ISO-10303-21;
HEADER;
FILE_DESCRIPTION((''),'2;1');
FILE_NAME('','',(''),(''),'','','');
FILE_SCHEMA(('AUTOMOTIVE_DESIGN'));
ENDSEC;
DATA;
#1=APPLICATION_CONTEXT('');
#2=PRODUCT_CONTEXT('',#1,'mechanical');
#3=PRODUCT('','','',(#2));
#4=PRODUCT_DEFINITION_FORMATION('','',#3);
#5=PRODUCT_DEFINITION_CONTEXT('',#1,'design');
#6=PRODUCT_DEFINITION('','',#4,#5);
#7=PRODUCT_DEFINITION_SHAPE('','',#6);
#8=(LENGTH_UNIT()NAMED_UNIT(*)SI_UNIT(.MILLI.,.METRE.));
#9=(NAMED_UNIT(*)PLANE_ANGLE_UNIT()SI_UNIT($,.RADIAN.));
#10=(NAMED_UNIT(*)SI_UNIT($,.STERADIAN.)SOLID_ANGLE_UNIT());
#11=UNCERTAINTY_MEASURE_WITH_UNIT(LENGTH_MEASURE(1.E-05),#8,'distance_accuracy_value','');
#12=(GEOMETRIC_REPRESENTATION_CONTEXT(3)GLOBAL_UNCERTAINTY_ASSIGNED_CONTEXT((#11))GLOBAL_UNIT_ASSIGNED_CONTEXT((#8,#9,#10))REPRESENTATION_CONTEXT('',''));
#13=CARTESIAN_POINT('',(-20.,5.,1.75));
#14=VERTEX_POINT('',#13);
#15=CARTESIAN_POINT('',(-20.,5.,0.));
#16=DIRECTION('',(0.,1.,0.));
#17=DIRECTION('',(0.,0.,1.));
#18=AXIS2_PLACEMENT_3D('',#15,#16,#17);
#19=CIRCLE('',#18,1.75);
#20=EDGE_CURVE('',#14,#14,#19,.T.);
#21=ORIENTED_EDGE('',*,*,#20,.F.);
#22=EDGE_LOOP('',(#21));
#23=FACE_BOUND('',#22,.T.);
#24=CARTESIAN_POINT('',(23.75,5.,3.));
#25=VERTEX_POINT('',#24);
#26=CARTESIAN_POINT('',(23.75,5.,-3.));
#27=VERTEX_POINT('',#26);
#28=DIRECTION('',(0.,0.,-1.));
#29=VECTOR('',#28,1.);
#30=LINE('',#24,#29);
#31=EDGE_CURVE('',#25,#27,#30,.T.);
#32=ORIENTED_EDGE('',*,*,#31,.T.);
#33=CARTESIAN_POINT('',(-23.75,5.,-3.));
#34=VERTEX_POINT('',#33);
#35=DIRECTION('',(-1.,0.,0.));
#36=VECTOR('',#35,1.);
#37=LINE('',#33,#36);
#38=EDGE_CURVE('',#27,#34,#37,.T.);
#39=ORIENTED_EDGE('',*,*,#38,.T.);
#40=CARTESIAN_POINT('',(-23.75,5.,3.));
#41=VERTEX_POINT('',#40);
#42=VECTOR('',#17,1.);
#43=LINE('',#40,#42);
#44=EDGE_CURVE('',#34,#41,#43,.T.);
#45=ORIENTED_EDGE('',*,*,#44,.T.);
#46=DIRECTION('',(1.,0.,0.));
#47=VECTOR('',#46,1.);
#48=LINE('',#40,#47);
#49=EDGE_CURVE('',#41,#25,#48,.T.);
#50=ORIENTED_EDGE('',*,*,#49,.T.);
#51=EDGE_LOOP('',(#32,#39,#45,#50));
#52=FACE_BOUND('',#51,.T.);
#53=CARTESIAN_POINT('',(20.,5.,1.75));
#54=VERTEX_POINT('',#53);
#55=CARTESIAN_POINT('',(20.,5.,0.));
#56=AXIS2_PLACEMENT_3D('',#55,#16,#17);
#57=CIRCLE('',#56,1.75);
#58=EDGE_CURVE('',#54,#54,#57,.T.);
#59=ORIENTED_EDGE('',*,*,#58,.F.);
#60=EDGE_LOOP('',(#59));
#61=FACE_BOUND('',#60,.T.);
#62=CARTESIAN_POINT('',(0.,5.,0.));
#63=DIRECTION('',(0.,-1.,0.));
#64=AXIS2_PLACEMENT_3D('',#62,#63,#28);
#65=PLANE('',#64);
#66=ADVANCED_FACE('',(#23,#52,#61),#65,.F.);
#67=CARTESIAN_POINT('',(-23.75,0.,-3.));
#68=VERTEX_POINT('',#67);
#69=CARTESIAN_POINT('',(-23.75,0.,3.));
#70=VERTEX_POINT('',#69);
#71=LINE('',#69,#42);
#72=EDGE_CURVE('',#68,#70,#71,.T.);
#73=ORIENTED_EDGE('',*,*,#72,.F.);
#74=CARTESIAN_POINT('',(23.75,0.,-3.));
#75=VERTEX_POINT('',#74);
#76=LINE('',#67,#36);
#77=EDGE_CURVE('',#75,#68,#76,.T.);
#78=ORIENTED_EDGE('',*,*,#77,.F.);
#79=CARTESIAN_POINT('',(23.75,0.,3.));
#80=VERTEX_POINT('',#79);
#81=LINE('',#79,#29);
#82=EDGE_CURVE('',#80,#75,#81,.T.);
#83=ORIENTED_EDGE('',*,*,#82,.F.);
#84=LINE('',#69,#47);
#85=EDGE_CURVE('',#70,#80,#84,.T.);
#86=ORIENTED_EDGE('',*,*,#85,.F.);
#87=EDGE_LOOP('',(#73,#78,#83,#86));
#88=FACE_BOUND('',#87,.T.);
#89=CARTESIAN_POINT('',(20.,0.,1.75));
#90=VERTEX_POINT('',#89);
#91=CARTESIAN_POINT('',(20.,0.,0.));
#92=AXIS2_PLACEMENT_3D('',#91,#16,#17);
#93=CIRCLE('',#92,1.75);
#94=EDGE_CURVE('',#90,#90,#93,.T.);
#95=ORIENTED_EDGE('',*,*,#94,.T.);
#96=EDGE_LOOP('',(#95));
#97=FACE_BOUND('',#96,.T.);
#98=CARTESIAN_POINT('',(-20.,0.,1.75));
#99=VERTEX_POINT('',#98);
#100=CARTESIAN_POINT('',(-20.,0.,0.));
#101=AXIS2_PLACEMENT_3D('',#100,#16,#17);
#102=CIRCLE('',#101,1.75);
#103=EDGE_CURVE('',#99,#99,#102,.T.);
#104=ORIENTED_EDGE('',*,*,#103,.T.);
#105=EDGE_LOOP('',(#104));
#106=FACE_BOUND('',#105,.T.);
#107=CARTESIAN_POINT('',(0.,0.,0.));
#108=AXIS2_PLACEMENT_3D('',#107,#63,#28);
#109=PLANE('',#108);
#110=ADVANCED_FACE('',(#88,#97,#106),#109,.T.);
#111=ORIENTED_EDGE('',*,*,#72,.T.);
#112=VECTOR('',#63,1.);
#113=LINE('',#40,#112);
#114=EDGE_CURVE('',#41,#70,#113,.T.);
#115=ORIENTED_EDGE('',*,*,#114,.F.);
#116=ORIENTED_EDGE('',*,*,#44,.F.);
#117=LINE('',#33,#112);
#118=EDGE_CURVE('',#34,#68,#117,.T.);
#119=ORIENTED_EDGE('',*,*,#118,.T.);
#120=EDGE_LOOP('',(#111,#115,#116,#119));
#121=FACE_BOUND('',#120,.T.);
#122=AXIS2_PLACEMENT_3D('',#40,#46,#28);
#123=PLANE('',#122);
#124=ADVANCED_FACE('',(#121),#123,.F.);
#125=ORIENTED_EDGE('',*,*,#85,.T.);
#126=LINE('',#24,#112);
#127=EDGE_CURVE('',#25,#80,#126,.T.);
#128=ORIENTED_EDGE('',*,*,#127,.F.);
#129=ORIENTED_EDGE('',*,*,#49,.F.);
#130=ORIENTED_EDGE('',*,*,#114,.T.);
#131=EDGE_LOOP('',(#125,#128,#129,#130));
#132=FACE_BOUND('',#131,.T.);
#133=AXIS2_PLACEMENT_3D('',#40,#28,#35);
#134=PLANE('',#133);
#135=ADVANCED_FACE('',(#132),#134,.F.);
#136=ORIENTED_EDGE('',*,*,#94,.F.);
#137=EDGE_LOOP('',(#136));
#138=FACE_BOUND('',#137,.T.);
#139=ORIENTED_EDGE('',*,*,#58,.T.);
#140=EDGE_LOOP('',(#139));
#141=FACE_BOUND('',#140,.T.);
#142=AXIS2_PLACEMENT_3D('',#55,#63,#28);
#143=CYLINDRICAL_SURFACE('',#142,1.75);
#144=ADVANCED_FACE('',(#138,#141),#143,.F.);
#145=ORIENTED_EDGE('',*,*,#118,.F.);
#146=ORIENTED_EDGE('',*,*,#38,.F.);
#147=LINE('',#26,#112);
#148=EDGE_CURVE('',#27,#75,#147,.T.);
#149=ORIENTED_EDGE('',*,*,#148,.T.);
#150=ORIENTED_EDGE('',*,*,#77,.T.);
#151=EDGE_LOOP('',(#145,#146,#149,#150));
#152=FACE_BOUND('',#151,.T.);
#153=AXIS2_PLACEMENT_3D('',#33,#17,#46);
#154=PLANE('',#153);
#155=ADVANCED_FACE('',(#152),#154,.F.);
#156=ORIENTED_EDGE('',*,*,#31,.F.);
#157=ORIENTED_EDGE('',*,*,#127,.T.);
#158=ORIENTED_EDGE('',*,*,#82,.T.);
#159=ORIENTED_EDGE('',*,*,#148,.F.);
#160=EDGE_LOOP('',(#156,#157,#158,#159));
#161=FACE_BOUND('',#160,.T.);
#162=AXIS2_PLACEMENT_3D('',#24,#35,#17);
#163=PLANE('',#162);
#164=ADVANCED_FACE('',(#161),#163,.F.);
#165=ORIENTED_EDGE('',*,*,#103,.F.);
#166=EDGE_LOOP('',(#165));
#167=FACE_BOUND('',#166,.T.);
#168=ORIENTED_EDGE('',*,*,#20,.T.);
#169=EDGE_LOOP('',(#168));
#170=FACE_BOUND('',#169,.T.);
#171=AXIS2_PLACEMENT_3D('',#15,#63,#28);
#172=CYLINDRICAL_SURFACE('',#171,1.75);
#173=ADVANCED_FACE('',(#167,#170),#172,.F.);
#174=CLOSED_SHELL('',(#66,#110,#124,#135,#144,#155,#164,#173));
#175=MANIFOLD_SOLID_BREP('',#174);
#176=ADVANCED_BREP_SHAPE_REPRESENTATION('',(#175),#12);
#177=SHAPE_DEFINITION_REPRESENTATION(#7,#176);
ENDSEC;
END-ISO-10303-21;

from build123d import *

# Parameters (mm, degrees)
SKETCH1_W           = 47.5
SKETCH1_H           = 6
SKETCH1_R           = 1.75
BOSS_EXTRUDE1_DEPTH = 5


with BuildPart() as part:
    # Sketch1 → Boss-Extrude1 (new body)
    with BuildSketch(Plane(origin=(0, 0, 0), x_dir=(1, 0, 0), z_dir=(0, 1, 0))):
        Rectangle(SKETCH1_W, SKETCH1_H)
        with Locations((-20, 0)):
            Circle(SKETCH1_R, mode=Mode.SUBTRACT)
        with Locations((20, 0)):
            Circle(SKETCH1_R, mode=Mode.SUBTRACT)
    extrude(amount=BOSS_EXTRUDE1_DEPTH)


solid = part.part
